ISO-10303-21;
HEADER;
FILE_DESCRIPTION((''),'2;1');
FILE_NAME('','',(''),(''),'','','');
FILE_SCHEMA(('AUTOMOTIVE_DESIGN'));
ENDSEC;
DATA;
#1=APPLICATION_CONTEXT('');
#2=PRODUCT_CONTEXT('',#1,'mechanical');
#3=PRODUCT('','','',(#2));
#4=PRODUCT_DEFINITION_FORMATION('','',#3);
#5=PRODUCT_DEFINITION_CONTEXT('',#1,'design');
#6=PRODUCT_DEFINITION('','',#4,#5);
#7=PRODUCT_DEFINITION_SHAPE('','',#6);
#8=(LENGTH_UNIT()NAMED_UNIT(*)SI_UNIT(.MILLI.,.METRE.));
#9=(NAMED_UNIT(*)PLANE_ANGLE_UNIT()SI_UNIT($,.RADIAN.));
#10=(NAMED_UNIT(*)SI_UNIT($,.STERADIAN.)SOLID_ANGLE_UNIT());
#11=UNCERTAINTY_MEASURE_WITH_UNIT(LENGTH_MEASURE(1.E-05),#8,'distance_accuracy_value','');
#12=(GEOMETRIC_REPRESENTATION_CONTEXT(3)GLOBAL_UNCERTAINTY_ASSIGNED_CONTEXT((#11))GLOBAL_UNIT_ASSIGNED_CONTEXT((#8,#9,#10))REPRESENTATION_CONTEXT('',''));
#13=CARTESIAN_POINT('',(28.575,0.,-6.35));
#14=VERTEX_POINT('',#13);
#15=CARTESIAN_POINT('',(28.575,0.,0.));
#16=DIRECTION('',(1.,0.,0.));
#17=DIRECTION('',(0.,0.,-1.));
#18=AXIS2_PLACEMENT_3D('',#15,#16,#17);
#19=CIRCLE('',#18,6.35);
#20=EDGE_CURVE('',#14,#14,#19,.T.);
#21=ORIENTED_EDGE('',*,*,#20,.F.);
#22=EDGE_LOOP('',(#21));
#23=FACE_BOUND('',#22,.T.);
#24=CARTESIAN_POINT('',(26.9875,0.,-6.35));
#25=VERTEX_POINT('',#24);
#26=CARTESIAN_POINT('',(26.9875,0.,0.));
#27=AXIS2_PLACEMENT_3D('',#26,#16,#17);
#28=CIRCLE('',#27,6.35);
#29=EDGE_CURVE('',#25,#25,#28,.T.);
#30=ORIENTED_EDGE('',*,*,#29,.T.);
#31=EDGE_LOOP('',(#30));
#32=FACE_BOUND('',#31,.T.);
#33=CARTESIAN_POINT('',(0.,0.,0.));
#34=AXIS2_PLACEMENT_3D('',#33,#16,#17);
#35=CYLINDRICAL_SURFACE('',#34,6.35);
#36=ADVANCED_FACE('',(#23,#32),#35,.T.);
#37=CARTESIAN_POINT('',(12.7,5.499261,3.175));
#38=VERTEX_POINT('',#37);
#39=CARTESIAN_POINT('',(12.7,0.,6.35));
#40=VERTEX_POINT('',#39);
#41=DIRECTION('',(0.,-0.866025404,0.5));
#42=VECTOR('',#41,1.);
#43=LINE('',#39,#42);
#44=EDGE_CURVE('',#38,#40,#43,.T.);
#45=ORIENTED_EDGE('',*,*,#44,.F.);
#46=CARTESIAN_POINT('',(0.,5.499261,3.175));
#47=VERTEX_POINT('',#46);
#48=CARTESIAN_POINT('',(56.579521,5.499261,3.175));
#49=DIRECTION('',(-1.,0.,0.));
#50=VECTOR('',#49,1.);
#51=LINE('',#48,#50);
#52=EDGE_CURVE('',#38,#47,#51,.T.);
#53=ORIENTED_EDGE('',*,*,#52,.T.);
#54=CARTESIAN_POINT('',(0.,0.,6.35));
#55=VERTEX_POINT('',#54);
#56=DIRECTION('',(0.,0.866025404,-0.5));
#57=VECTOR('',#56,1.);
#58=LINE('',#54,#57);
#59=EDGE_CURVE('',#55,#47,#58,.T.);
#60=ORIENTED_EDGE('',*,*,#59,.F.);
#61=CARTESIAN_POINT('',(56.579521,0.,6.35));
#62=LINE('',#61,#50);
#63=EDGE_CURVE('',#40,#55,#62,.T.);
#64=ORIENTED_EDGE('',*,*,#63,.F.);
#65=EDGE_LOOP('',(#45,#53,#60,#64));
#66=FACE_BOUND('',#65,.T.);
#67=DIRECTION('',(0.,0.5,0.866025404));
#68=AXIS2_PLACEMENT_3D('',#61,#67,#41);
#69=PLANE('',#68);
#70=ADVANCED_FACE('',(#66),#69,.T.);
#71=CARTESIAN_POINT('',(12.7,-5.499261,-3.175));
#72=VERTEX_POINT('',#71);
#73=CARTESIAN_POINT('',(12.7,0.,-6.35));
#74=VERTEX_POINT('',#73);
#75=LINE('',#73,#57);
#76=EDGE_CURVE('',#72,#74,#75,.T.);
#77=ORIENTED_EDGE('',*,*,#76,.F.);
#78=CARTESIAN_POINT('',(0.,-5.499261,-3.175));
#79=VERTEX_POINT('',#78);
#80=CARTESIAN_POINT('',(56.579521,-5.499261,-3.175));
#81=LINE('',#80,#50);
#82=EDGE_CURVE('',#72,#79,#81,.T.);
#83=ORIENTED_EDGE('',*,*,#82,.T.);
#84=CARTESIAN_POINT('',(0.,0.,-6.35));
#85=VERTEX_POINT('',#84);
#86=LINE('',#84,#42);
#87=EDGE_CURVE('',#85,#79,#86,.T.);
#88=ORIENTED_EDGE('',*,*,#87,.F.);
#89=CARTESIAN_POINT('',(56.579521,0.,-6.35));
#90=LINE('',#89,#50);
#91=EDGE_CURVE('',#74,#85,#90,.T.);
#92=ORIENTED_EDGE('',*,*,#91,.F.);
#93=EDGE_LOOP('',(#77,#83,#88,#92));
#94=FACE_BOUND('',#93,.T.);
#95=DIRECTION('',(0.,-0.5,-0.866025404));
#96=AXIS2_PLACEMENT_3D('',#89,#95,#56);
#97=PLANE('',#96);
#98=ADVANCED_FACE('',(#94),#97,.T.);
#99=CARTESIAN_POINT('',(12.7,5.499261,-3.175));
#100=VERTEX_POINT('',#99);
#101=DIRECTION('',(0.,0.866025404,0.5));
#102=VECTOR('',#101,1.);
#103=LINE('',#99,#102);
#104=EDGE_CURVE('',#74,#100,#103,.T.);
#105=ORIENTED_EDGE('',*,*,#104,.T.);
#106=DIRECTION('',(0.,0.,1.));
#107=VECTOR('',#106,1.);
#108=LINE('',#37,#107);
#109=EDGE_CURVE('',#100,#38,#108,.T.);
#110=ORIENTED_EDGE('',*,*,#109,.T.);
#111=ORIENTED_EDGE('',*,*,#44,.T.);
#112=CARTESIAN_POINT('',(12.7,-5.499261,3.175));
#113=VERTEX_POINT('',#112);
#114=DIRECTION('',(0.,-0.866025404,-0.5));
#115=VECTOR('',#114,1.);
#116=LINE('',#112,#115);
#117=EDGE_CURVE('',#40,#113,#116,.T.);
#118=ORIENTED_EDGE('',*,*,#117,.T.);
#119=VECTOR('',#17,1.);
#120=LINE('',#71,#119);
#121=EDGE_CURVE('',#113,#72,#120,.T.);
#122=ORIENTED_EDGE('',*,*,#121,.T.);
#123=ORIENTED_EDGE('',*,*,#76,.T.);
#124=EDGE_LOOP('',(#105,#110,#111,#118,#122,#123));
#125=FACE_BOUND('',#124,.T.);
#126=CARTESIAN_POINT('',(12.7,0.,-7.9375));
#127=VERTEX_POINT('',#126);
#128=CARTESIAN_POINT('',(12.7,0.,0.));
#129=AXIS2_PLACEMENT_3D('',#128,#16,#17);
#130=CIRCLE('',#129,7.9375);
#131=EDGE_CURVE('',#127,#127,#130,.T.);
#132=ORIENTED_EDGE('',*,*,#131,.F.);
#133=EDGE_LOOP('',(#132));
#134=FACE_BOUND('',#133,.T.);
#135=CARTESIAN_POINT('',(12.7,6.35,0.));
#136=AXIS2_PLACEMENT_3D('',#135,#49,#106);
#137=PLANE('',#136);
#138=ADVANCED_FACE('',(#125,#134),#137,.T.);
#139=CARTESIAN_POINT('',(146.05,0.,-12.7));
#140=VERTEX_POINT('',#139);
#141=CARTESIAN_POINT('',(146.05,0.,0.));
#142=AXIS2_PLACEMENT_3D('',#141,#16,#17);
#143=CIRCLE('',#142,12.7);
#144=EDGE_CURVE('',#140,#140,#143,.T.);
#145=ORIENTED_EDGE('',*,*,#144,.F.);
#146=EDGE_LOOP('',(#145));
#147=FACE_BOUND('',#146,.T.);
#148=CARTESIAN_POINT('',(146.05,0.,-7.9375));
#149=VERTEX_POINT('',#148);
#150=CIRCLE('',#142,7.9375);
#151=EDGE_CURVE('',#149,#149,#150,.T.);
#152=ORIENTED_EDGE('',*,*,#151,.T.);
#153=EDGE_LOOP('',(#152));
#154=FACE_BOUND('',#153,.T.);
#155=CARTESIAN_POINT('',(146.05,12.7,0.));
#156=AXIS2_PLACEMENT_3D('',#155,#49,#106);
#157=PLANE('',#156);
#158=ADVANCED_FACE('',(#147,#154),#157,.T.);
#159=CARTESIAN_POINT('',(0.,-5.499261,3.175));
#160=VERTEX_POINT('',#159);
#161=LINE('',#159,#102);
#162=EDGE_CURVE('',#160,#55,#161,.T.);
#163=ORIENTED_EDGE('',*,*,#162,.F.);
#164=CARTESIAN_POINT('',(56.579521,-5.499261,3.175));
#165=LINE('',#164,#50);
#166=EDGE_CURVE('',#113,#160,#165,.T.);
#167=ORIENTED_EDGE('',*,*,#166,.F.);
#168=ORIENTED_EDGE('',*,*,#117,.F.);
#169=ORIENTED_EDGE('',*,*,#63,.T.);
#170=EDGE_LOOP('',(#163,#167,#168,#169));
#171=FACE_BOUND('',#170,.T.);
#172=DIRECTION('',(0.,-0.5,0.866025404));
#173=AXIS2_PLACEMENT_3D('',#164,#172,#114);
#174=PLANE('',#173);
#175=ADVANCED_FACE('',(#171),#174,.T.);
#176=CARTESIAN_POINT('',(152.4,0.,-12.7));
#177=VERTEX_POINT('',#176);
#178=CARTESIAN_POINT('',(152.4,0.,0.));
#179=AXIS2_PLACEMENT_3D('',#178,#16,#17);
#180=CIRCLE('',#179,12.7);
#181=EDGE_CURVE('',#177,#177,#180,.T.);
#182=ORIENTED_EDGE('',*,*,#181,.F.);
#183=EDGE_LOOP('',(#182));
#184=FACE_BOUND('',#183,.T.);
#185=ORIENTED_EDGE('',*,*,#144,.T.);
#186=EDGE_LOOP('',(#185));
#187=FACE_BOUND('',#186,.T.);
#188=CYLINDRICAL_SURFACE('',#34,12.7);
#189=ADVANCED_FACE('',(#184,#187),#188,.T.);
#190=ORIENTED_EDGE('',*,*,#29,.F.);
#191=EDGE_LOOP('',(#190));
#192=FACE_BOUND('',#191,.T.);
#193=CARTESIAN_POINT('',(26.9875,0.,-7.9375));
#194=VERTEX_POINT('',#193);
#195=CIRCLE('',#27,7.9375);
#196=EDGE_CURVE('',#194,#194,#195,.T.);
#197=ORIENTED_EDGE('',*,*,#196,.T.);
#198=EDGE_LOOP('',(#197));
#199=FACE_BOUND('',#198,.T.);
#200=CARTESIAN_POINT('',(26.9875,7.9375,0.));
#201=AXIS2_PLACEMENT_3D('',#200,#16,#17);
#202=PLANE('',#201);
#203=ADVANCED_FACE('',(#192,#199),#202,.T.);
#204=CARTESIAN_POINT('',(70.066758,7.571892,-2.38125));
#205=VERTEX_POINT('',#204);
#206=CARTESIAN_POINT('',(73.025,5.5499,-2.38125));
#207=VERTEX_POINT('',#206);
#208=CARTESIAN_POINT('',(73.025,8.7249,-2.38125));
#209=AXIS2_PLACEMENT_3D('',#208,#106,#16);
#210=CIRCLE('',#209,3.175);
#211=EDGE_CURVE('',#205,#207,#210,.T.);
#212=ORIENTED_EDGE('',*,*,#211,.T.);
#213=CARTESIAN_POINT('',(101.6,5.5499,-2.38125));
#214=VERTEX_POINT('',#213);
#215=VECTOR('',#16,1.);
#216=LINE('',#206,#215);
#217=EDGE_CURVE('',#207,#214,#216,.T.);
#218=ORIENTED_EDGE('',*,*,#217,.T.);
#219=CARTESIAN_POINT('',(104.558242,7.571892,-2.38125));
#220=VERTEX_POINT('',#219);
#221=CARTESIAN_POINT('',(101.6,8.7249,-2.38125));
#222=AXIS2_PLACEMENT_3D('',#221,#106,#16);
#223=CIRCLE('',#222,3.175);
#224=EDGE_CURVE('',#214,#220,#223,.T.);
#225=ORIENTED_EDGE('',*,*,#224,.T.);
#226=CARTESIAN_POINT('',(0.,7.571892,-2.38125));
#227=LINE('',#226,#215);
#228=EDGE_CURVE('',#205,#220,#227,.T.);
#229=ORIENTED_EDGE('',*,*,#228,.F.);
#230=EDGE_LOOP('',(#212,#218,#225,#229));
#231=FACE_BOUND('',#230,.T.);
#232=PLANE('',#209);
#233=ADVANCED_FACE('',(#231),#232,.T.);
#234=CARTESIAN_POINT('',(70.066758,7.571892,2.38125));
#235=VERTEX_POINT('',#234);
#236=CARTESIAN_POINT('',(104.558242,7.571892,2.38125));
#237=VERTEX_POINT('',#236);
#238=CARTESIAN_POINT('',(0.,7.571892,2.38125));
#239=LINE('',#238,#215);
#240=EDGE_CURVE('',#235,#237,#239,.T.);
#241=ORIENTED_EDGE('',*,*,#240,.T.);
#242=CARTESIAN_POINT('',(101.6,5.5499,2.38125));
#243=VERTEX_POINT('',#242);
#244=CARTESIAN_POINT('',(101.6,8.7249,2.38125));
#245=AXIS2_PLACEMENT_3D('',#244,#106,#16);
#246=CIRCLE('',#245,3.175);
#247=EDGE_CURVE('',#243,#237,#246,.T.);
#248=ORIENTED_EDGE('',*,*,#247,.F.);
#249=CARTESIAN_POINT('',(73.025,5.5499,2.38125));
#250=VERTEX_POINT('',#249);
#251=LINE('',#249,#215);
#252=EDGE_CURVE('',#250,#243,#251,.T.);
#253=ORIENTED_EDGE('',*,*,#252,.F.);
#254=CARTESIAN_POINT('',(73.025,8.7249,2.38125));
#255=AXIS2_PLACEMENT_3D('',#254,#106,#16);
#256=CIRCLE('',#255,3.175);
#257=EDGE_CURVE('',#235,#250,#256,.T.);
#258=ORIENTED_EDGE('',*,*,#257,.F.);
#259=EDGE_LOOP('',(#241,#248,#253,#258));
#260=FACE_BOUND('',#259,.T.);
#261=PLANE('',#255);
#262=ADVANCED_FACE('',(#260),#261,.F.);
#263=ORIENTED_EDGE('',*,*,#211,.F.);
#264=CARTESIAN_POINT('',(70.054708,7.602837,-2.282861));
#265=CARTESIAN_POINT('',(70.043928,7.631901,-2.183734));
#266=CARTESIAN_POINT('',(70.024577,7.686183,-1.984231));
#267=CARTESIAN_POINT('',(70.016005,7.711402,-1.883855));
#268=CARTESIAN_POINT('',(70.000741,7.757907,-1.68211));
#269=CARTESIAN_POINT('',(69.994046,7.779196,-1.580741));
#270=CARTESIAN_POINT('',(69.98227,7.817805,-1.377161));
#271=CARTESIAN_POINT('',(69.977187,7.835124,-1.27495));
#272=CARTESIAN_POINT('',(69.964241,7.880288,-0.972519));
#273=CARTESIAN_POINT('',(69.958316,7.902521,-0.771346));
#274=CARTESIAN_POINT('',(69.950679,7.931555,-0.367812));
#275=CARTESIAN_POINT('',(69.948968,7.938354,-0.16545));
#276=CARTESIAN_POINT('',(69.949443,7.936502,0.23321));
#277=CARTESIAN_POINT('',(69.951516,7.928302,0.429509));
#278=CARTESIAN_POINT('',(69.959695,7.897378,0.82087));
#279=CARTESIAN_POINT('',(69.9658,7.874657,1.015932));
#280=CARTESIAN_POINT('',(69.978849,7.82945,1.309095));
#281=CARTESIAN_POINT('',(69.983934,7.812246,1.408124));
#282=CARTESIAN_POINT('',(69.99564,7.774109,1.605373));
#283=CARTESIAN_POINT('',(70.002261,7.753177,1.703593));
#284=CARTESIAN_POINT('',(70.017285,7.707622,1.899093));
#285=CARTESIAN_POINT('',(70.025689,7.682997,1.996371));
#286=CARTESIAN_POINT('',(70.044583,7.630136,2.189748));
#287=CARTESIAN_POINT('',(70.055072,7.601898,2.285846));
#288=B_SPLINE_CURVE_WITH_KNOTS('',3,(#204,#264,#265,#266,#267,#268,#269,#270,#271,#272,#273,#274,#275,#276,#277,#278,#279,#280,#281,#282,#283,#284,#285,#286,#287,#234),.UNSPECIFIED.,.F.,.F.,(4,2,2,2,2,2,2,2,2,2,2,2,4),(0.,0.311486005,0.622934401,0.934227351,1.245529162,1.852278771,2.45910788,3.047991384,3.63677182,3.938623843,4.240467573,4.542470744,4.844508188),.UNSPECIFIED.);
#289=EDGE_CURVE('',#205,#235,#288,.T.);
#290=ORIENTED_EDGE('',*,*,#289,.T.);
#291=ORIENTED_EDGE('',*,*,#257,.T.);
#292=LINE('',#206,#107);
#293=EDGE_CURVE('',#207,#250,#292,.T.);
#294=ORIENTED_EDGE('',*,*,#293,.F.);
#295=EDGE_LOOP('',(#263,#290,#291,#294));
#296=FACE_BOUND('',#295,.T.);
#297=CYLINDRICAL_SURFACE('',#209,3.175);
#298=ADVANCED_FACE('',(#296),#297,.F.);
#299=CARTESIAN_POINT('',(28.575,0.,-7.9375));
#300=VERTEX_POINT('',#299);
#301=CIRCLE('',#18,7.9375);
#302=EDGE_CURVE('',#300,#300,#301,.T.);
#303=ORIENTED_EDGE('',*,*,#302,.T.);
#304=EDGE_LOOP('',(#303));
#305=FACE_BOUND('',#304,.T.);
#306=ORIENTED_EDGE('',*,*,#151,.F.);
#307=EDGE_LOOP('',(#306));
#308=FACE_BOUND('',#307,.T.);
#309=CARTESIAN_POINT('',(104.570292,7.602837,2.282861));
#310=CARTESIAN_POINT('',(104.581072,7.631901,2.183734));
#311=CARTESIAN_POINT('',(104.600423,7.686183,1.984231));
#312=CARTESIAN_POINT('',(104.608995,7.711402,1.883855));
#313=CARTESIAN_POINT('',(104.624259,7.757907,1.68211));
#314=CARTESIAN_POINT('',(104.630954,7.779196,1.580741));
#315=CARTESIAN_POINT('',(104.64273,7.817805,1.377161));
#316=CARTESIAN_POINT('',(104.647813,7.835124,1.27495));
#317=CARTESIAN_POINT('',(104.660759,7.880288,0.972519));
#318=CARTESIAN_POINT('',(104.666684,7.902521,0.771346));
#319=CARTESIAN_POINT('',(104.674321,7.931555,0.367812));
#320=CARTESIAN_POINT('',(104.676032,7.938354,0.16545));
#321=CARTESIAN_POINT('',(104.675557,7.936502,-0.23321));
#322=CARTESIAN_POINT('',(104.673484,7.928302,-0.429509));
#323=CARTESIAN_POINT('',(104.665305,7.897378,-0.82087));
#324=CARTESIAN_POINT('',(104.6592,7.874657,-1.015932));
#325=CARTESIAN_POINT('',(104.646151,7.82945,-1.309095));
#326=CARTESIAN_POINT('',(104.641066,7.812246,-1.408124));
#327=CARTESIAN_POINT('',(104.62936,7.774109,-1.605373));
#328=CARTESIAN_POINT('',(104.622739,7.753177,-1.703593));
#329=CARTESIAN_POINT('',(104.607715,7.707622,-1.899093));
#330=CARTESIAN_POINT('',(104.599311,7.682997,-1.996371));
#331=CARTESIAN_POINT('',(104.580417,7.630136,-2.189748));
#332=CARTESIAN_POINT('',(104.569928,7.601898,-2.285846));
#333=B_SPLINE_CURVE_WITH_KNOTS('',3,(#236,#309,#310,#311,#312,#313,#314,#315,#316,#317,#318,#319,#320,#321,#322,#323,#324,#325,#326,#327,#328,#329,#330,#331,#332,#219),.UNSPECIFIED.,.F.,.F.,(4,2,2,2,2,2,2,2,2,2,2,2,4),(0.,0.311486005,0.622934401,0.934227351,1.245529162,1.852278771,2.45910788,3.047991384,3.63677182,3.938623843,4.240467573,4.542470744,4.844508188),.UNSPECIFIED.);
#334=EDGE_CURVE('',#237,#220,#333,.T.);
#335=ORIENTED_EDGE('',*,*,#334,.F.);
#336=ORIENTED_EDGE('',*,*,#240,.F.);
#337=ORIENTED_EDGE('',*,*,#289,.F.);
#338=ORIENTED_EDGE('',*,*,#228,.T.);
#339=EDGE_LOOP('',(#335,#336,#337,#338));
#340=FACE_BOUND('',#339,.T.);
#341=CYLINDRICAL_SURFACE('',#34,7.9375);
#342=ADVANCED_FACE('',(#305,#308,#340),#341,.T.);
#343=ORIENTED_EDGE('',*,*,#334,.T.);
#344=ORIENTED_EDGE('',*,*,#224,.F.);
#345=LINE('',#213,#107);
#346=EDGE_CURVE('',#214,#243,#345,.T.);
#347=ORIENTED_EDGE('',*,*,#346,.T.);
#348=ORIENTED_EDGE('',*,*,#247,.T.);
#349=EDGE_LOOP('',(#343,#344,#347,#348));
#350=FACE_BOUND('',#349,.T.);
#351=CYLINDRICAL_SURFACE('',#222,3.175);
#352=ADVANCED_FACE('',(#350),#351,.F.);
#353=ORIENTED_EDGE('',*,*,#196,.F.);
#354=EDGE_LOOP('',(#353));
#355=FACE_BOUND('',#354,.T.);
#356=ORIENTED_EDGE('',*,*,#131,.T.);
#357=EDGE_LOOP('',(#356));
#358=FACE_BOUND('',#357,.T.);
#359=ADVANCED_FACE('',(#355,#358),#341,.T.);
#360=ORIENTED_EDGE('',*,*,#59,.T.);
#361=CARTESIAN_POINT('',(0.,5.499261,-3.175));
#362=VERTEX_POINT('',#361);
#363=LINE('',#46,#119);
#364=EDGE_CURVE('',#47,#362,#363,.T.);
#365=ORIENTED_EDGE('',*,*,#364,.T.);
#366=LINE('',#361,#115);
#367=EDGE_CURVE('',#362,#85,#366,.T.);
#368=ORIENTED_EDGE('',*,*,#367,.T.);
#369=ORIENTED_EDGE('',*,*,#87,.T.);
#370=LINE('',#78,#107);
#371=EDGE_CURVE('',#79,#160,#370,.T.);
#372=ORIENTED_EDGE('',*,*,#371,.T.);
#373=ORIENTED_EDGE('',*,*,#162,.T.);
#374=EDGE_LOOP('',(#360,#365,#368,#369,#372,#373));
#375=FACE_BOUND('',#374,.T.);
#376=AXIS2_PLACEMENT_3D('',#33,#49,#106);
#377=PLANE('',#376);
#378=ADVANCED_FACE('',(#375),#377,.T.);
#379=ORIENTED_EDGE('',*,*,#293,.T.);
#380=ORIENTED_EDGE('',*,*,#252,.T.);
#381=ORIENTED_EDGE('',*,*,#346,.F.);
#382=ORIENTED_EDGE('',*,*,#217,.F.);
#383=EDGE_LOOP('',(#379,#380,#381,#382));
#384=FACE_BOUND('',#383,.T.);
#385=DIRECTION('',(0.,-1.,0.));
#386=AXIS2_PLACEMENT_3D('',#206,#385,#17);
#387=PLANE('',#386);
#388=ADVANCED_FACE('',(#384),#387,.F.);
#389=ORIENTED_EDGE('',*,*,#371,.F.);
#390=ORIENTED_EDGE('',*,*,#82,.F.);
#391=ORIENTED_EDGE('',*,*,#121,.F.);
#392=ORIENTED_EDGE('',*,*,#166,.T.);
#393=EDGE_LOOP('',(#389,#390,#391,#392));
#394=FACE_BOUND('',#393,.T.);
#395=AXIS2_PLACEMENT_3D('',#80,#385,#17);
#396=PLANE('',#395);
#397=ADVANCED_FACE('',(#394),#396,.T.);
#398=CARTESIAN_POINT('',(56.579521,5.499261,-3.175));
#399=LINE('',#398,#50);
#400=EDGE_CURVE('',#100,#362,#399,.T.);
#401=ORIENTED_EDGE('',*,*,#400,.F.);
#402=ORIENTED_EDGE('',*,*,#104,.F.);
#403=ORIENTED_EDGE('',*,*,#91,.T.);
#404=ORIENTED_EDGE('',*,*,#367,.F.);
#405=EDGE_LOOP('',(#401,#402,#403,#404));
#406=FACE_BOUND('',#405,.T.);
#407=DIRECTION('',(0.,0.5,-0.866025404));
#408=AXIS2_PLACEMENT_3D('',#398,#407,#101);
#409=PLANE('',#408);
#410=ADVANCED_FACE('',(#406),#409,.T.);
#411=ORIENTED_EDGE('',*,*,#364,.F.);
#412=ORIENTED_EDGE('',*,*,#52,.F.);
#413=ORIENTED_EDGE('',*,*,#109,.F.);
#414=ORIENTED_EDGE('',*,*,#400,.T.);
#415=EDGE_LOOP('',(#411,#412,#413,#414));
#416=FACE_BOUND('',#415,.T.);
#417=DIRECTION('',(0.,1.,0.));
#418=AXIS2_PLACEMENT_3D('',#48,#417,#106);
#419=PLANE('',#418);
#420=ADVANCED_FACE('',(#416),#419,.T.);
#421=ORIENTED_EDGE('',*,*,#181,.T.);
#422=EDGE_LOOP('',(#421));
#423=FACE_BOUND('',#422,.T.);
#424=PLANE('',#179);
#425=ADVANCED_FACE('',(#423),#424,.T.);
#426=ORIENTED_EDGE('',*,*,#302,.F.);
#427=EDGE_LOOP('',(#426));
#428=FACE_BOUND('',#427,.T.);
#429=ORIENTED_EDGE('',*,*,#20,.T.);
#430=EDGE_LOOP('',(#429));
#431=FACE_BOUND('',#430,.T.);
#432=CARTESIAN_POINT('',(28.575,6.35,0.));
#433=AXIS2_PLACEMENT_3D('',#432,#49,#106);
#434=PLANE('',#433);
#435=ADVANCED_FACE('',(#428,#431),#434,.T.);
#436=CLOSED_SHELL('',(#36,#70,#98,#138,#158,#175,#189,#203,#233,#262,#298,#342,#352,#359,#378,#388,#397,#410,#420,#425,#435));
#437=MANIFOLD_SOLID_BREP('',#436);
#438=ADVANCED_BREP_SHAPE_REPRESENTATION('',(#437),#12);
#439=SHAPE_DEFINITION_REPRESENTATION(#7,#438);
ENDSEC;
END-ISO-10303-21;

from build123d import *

# Parameters (mm, degrees)
KEYWAY_DEPTH       = 2.38125
SKETCH3_OUTSIDE_W  = 58.716
SKETCH3_OUTSIDE_H  = 58.716
CUT_EXTRUDE2_DEPTH = 12.7


with BuildPart() as part:
    # Sketch1 → Base (revolve)
    with BuildSketch(Plane.XY, mode=Mode.PRIVATE) as base_sk:
        Polygon((0, 0), (0, 6.35), (12.7, 6.35), (12.7, 7.9375), (26.9875, 7.9375), (26.9875, 6.35), (28.575, 6.35), (28.575, 7.9375), (146.05, 7.9375), (146.05, 12.7), (152.4, 12.7), (152.4, 0), align=None)
    revolve(base_sk.sketch.rotate(Axis((0, 0, 0), (-1, 0, 0)), 90), axis=Axis((0, 0, 0), (-1, 0, 0)))

    # Sketch2 → Keyway (cut, symmetric)
    with BuildSketch(Plane.XY):
        with BuildLine():
            Line((69.85, 14.2875), (69.85, 8.7249))
            ThreePointArc((69.85, 8.7249), (70.77993597, 6.47983597), (73.025, 5.5499))
            Line((73.025, 5.5499), (101.6, 5.5499))
            ThreePointArc((101.6, 5.5499), (103.84506403, 6.47983597), (104.775, 8.7249))
            Line((104.775, 8.7249), (104.775, 14.2875))
            Line((104.775, 14.2875), (69.85, 14.2875))
        make_face()
    extrude(amount=KEYWAY_DEPTH, both=True, mode=Mode.SUBTRACT)

    # Sketch3 outside → Cut-Extrude2 (cut)
    with BuildSketch(Plane.ZY):
        Rectangle(SKETCH3_OUTSIDE_W, SKETCH3_OUTSIDE_H)
        Polygon((3.175, 5.499261314), (-3.175, 5.499261314), (-6.35, 0), (-3.175, -5.499261314), (3.175, -5.499261314), (6.35, 0), align=None, mode=Mode.SUBTRACT)
    extrude(amount=-CUT_EXTRUDE2_DEPTH, mode=Mode.SUBTRACT)


solid = part.part
